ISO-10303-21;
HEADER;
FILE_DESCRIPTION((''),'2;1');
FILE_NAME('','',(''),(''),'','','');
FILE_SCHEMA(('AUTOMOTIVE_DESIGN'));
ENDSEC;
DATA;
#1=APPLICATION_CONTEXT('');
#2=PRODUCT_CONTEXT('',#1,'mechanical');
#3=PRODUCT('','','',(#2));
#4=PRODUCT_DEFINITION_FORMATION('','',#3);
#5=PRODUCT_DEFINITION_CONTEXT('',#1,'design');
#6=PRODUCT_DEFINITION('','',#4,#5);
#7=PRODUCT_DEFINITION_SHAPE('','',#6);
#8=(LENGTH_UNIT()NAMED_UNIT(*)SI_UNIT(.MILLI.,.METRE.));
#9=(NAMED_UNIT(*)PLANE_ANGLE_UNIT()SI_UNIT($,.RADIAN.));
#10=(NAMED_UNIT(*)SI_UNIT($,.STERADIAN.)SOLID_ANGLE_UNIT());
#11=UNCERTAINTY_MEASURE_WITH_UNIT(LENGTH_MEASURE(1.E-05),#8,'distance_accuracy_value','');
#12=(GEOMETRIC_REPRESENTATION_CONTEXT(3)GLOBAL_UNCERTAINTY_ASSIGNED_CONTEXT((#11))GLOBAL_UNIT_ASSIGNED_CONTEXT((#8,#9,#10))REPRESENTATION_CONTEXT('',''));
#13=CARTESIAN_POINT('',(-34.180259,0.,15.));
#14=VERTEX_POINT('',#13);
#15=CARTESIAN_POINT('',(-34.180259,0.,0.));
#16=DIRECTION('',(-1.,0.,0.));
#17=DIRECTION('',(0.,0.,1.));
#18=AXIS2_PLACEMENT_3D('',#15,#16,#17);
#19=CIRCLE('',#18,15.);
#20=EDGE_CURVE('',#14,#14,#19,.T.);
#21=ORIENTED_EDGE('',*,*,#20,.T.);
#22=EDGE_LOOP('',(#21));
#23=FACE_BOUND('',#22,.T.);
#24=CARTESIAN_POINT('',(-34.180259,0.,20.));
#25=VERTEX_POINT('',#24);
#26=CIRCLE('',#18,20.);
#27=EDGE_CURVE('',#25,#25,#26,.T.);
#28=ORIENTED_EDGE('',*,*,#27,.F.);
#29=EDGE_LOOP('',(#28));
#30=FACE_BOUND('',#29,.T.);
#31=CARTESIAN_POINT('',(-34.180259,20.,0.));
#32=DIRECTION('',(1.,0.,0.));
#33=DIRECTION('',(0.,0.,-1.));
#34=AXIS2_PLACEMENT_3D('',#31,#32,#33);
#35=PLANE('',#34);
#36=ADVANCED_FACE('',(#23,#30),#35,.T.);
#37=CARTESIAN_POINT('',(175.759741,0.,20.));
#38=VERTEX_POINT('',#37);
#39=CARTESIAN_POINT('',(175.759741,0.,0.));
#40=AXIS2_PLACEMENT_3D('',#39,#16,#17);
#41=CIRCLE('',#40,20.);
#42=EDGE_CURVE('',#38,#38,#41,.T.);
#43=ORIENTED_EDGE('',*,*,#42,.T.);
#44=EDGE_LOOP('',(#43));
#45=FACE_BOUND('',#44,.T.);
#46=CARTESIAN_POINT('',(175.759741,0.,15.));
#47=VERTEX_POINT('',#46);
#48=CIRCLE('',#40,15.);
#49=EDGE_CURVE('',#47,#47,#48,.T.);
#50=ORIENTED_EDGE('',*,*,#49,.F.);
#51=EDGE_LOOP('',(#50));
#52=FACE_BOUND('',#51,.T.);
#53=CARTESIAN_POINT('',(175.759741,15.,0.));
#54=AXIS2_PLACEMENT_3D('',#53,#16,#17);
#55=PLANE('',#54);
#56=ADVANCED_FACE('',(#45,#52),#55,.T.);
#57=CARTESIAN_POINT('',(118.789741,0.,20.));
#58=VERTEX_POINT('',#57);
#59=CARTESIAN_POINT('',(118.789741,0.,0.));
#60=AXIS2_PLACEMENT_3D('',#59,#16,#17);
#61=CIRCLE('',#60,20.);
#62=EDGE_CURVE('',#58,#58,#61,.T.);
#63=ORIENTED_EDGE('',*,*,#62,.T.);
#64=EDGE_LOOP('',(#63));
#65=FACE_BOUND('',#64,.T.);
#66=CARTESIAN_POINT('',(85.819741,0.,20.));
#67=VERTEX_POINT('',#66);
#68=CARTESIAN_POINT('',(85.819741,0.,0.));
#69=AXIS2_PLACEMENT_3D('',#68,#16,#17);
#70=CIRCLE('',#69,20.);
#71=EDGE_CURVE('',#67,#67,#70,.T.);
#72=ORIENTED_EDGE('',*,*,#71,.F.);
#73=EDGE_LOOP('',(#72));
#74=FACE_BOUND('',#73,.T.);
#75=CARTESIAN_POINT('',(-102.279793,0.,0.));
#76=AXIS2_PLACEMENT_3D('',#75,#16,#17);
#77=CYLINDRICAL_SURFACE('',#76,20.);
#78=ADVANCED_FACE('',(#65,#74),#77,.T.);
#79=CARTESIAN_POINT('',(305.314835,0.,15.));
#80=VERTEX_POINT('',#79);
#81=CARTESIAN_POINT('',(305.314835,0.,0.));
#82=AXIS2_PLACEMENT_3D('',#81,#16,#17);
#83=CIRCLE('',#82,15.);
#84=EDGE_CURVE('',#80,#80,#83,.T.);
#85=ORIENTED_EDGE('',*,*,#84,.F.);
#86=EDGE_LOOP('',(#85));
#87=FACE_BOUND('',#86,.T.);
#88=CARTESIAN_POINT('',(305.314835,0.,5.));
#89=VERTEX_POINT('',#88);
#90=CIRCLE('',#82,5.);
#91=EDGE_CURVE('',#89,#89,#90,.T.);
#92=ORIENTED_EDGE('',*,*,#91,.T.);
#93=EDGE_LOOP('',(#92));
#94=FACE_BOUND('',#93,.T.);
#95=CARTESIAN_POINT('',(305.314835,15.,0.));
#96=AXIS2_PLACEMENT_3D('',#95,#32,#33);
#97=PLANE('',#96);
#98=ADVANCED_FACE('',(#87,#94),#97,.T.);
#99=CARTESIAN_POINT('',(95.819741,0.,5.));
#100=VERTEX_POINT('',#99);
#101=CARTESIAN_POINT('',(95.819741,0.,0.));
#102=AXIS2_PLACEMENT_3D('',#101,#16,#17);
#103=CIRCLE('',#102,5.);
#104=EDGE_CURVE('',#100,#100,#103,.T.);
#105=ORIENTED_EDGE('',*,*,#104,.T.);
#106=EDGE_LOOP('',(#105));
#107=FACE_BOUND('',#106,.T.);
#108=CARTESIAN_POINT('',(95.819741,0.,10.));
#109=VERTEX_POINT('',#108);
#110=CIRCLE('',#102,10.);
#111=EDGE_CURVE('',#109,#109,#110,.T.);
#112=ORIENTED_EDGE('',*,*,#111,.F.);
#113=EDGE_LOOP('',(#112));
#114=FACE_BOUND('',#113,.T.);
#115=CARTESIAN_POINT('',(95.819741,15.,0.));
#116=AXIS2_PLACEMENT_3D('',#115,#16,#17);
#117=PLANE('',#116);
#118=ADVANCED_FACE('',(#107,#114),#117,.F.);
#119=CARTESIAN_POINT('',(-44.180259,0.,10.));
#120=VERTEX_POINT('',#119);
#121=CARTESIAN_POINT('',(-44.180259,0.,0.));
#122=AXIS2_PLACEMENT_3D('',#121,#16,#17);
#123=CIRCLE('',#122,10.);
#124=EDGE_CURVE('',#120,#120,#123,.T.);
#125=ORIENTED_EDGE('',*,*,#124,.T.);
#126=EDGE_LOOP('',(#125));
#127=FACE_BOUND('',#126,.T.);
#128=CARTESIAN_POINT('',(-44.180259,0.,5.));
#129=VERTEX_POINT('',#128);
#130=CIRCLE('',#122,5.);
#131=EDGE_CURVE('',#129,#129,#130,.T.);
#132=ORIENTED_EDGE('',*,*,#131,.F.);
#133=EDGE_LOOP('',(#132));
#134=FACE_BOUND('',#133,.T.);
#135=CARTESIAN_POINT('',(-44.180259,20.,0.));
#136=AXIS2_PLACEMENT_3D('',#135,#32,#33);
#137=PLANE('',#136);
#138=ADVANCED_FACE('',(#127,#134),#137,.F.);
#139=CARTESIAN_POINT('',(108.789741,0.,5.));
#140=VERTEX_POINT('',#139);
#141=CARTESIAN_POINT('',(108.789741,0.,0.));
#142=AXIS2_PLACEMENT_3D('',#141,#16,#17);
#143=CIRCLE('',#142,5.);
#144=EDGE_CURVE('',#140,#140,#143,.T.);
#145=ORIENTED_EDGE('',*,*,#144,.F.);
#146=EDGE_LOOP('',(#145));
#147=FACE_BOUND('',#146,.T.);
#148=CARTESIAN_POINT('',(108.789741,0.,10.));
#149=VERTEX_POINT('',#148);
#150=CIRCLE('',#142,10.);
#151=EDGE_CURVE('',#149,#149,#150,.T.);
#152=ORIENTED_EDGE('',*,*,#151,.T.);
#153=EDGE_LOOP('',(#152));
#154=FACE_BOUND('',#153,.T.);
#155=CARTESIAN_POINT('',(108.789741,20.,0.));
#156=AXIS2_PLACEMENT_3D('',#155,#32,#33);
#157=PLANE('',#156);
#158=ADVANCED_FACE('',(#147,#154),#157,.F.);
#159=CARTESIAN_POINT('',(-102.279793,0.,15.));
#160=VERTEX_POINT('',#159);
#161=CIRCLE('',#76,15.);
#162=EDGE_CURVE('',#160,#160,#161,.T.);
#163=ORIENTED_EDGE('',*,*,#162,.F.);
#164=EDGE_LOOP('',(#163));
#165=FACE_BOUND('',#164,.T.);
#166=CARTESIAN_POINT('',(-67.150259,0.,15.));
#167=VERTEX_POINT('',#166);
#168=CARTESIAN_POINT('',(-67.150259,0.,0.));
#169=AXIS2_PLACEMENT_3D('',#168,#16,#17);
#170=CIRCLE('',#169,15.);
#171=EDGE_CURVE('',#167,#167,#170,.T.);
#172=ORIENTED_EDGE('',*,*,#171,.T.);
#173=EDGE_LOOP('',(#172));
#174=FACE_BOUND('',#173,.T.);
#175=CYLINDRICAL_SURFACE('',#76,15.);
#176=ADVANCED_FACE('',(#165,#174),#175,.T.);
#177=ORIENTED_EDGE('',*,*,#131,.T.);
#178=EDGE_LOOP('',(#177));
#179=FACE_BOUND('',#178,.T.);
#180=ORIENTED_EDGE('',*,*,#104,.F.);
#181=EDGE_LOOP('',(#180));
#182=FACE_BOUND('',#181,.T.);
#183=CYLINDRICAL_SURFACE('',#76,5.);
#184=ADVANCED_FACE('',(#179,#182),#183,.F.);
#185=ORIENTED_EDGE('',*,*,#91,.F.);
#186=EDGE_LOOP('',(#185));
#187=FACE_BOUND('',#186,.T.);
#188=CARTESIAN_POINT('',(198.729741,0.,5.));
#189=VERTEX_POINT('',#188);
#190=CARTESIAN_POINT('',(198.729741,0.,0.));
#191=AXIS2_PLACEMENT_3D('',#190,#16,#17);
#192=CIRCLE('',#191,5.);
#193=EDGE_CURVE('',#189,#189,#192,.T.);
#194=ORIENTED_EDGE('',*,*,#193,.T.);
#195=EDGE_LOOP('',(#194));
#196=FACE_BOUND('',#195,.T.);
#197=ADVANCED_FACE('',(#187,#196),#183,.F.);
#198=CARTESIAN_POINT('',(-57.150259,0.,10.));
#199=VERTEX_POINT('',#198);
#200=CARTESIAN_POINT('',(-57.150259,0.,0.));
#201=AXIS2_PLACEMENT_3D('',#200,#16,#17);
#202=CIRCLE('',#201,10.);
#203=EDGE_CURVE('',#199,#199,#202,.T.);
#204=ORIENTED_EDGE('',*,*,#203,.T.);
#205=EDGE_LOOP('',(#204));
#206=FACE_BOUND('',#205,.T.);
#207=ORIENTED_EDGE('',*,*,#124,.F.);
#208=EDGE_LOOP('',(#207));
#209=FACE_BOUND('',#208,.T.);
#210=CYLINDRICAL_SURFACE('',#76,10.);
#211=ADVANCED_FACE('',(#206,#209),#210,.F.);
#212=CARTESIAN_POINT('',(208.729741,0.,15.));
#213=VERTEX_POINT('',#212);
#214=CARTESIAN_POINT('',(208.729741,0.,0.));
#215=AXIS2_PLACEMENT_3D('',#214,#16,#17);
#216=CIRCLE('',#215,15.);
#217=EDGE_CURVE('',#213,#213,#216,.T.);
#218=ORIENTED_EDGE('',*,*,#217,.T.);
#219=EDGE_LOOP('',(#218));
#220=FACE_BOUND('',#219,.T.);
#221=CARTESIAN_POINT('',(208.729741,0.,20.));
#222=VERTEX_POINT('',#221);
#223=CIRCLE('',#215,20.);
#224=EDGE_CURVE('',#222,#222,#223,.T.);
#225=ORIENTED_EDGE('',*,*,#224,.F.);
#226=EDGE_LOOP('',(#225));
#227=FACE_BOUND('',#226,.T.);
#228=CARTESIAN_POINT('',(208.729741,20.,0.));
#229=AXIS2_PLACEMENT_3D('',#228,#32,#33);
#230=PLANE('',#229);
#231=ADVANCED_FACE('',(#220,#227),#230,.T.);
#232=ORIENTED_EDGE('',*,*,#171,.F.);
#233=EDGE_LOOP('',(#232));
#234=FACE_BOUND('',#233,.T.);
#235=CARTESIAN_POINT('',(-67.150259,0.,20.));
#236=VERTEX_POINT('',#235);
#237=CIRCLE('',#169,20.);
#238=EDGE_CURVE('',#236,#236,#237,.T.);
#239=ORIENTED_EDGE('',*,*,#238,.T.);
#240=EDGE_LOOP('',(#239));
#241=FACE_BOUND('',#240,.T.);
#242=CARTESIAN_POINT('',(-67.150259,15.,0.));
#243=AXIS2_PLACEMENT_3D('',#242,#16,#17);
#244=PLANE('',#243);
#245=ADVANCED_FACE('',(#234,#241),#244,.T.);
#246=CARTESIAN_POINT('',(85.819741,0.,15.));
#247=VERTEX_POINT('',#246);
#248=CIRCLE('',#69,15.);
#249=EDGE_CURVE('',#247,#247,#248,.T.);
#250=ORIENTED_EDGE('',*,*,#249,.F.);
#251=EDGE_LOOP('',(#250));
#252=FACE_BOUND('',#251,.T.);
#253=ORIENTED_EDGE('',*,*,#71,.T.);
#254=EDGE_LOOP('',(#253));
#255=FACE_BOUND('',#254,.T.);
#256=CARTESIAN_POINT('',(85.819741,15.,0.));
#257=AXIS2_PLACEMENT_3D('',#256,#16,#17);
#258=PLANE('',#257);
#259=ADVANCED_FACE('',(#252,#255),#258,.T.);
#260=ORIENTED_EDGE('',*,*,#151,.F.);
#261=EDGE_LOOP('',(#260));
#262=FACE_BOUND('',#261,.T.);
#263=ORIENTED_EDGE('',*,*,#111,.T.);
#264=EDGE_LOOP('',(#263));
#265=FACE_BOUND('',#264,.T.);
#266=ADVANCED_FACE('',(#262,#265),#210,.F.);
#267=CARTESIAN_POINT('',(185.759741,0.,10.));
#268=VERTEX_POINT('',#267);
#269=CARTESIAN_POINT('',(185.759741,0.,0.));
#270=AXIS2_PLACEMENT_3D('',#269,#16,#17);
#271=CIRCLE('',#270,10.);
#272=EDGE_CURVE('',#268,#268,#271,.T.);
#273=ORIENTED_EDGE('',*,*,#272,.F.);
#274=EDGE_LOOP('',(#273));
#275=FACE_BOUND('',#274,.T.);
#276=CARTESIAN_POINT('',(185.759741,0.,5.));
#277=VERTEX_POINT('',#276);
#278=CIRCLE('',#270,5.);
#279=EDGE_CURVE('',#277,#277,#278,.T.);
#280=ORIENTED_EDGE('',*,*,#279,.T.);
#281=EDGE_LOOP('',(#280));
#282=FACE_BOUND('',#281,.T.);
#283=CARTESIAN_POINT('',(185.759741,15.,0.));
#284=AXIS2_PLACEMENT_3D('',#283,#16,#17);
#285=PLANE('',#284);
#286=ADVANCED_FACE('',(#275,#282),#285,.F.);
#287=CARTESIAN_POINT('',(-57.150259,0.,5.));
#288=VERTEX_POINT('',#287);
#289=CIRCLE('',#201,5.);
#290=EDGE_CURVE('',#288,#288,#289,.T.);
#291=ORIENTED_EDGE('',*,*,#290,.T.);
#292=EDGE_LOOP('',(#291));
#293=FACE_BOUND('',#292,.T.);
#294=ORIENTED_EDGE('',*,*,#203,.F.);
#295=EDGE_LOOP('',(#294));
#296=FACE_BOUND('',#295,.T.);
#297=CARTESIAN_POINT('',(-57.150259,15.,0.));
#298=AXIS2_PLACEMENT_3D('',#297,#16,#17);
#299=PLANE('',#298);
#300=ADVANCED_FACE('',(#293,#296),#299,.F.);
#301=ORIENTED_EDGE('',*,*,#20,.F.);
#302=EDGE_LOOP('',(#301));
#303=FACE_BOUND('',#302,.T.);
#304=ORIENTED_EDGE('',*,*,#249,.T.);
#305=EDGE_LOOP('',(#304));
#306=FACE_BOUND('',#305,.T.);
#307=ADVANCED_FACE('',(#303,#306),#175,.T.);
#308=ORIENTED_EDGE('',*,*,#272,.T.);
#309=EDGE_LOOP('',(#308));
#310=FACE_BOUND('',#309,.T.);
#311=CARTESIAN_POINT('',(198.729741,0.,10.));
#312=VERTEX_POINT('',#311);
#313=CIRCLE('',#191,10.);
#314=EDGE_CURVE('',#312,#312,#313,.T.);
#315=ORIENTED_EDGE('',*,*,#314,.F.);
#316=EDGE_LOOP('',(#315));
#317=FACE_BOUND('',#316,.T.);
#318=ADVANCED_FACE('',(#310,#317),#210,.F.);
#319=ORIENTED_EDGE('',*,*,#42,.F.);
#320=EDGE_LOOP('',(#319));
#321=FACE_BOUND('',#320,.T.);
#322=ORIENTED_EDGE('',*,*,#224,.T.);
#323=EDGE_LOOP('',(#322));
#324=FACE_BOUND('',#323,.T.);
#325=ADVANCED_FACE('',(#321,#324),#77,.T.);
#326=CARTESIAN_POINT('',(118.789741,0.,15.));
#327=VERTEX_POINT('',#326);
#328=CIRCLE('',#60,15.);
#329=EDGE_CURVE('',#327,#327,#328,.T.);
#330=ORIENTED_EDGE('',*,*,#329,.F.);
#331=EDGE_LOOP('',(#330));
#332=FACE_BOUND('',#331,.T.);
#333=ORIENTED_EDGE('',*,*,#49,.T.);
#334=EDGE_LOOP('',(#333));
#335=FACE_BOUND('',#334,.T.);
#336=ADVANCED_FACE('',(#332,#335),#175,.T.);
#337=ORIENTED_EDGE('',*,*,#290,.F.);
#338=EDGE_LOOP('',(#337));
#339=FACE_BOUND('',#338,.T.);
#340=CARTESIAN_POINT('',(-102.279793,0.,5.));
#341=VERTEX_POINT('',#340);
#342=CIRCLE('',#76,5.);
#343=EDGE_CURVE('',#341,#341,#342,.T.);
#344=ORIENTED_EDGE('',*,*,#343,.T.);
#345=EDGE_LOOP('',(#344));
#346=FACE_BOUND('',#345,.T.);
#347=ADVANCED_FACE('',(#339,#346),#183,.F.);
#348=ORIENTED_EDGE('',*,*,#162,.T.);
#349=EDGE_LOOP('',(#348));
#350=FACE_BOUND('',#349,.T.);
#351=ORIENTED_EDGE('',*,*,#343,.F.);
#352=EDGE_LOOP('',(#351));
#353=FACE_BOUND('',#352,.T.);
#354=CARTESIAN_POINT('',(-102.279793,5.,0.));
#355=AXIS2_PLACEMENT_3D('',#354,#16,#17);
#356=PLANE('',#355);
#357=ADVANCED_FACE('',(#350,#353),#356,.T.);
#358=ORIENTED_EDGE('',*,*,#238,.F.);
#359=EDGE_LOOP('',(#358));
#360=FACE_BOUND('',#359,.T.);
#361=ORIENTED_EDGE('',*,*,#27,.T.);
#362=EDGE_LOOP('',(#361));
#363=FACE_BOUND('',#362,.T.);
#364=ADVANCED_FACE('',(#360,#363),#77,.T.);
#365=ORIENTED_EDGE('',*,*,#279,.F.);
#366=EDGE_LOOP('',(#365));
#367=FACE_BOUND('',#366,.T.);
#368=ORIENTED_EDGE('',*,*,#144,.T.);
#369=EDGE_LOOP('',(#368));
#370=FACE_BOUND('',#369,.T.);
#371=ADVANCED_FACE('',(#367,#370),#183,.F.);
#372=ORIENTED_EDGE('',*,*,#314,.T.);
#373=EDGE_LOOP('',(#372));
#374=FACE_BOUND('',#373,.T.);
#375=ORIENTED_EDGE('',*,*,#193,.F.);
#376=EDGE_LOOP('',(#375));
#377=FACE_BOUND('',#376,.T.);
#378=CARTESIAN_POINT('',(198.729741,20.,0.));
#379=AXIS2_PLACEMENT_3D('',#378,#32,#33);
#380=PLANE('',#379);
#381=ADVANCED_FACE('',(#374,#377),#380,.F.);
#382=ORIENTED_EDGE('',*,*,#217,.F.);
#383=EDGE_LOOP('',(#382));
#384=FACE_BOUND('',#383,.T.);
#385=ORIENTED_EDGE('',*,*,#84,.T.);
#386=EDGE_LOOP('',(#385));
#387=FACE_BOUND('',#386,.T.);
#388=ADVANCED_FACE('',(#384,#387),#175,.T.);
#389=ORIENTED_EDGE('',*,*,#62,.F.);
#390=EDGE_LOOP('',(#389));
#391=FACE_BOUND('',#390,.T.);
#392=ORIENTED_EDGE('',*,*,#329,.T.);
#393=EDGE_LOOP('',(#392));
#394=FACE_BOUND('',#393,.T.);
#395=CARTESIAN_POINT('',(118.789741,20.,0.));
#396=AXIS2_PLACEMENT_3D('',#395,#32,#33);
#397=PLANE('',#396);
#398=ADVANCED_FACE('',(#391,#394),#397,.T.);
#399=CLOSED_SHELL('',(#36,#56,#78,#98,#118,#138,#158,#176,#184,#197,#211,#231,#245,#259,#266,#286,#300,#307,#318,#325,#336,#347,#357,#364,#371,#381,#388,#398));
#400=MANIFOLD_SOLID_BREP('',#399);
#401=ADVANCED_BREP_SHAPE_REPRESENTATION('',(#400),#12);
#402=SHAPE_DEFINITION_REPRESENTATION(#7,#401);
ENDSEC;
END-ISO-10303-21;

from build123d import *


with BuildPart() as part:
    # Sketch1 → Revolve-Thin1 (revolve)
    with BuildSketch(Plane.XY):
        Polygon((-102.279792746, 15), (-67.150259067, 15), (-67.150259067, 20), (-34.180259067, 20), (-34.180259067, 15), (85.819740933, 15), (85.819740933, 20), (118.789740933, 20), (118.789740933, 15), (175.759740933, 15), (175.759740933, 20), (208.729740933, 20), (208.729740933, 15), (218.211606218, 15), (305.314834779, 15), (305.314834779, 5), (218.211606218, 5), (198.729740933, 5), (198.729740933, 10), (185.759740933, 10), (185.759740933, 5), (108.789740933, 5), (108.789740933, 10), (95.819740933, 10), (95.819740933, 5), (-44.180259067, 5), (-44.180259067, 10), (-57.150259067, 10), (-57.150259067, 5), (-102.279792746, 5), align=None)
    revolve(axis=Axis((-102.279792746, 0, 0), (1, 0, 0)))


solid = part.part
